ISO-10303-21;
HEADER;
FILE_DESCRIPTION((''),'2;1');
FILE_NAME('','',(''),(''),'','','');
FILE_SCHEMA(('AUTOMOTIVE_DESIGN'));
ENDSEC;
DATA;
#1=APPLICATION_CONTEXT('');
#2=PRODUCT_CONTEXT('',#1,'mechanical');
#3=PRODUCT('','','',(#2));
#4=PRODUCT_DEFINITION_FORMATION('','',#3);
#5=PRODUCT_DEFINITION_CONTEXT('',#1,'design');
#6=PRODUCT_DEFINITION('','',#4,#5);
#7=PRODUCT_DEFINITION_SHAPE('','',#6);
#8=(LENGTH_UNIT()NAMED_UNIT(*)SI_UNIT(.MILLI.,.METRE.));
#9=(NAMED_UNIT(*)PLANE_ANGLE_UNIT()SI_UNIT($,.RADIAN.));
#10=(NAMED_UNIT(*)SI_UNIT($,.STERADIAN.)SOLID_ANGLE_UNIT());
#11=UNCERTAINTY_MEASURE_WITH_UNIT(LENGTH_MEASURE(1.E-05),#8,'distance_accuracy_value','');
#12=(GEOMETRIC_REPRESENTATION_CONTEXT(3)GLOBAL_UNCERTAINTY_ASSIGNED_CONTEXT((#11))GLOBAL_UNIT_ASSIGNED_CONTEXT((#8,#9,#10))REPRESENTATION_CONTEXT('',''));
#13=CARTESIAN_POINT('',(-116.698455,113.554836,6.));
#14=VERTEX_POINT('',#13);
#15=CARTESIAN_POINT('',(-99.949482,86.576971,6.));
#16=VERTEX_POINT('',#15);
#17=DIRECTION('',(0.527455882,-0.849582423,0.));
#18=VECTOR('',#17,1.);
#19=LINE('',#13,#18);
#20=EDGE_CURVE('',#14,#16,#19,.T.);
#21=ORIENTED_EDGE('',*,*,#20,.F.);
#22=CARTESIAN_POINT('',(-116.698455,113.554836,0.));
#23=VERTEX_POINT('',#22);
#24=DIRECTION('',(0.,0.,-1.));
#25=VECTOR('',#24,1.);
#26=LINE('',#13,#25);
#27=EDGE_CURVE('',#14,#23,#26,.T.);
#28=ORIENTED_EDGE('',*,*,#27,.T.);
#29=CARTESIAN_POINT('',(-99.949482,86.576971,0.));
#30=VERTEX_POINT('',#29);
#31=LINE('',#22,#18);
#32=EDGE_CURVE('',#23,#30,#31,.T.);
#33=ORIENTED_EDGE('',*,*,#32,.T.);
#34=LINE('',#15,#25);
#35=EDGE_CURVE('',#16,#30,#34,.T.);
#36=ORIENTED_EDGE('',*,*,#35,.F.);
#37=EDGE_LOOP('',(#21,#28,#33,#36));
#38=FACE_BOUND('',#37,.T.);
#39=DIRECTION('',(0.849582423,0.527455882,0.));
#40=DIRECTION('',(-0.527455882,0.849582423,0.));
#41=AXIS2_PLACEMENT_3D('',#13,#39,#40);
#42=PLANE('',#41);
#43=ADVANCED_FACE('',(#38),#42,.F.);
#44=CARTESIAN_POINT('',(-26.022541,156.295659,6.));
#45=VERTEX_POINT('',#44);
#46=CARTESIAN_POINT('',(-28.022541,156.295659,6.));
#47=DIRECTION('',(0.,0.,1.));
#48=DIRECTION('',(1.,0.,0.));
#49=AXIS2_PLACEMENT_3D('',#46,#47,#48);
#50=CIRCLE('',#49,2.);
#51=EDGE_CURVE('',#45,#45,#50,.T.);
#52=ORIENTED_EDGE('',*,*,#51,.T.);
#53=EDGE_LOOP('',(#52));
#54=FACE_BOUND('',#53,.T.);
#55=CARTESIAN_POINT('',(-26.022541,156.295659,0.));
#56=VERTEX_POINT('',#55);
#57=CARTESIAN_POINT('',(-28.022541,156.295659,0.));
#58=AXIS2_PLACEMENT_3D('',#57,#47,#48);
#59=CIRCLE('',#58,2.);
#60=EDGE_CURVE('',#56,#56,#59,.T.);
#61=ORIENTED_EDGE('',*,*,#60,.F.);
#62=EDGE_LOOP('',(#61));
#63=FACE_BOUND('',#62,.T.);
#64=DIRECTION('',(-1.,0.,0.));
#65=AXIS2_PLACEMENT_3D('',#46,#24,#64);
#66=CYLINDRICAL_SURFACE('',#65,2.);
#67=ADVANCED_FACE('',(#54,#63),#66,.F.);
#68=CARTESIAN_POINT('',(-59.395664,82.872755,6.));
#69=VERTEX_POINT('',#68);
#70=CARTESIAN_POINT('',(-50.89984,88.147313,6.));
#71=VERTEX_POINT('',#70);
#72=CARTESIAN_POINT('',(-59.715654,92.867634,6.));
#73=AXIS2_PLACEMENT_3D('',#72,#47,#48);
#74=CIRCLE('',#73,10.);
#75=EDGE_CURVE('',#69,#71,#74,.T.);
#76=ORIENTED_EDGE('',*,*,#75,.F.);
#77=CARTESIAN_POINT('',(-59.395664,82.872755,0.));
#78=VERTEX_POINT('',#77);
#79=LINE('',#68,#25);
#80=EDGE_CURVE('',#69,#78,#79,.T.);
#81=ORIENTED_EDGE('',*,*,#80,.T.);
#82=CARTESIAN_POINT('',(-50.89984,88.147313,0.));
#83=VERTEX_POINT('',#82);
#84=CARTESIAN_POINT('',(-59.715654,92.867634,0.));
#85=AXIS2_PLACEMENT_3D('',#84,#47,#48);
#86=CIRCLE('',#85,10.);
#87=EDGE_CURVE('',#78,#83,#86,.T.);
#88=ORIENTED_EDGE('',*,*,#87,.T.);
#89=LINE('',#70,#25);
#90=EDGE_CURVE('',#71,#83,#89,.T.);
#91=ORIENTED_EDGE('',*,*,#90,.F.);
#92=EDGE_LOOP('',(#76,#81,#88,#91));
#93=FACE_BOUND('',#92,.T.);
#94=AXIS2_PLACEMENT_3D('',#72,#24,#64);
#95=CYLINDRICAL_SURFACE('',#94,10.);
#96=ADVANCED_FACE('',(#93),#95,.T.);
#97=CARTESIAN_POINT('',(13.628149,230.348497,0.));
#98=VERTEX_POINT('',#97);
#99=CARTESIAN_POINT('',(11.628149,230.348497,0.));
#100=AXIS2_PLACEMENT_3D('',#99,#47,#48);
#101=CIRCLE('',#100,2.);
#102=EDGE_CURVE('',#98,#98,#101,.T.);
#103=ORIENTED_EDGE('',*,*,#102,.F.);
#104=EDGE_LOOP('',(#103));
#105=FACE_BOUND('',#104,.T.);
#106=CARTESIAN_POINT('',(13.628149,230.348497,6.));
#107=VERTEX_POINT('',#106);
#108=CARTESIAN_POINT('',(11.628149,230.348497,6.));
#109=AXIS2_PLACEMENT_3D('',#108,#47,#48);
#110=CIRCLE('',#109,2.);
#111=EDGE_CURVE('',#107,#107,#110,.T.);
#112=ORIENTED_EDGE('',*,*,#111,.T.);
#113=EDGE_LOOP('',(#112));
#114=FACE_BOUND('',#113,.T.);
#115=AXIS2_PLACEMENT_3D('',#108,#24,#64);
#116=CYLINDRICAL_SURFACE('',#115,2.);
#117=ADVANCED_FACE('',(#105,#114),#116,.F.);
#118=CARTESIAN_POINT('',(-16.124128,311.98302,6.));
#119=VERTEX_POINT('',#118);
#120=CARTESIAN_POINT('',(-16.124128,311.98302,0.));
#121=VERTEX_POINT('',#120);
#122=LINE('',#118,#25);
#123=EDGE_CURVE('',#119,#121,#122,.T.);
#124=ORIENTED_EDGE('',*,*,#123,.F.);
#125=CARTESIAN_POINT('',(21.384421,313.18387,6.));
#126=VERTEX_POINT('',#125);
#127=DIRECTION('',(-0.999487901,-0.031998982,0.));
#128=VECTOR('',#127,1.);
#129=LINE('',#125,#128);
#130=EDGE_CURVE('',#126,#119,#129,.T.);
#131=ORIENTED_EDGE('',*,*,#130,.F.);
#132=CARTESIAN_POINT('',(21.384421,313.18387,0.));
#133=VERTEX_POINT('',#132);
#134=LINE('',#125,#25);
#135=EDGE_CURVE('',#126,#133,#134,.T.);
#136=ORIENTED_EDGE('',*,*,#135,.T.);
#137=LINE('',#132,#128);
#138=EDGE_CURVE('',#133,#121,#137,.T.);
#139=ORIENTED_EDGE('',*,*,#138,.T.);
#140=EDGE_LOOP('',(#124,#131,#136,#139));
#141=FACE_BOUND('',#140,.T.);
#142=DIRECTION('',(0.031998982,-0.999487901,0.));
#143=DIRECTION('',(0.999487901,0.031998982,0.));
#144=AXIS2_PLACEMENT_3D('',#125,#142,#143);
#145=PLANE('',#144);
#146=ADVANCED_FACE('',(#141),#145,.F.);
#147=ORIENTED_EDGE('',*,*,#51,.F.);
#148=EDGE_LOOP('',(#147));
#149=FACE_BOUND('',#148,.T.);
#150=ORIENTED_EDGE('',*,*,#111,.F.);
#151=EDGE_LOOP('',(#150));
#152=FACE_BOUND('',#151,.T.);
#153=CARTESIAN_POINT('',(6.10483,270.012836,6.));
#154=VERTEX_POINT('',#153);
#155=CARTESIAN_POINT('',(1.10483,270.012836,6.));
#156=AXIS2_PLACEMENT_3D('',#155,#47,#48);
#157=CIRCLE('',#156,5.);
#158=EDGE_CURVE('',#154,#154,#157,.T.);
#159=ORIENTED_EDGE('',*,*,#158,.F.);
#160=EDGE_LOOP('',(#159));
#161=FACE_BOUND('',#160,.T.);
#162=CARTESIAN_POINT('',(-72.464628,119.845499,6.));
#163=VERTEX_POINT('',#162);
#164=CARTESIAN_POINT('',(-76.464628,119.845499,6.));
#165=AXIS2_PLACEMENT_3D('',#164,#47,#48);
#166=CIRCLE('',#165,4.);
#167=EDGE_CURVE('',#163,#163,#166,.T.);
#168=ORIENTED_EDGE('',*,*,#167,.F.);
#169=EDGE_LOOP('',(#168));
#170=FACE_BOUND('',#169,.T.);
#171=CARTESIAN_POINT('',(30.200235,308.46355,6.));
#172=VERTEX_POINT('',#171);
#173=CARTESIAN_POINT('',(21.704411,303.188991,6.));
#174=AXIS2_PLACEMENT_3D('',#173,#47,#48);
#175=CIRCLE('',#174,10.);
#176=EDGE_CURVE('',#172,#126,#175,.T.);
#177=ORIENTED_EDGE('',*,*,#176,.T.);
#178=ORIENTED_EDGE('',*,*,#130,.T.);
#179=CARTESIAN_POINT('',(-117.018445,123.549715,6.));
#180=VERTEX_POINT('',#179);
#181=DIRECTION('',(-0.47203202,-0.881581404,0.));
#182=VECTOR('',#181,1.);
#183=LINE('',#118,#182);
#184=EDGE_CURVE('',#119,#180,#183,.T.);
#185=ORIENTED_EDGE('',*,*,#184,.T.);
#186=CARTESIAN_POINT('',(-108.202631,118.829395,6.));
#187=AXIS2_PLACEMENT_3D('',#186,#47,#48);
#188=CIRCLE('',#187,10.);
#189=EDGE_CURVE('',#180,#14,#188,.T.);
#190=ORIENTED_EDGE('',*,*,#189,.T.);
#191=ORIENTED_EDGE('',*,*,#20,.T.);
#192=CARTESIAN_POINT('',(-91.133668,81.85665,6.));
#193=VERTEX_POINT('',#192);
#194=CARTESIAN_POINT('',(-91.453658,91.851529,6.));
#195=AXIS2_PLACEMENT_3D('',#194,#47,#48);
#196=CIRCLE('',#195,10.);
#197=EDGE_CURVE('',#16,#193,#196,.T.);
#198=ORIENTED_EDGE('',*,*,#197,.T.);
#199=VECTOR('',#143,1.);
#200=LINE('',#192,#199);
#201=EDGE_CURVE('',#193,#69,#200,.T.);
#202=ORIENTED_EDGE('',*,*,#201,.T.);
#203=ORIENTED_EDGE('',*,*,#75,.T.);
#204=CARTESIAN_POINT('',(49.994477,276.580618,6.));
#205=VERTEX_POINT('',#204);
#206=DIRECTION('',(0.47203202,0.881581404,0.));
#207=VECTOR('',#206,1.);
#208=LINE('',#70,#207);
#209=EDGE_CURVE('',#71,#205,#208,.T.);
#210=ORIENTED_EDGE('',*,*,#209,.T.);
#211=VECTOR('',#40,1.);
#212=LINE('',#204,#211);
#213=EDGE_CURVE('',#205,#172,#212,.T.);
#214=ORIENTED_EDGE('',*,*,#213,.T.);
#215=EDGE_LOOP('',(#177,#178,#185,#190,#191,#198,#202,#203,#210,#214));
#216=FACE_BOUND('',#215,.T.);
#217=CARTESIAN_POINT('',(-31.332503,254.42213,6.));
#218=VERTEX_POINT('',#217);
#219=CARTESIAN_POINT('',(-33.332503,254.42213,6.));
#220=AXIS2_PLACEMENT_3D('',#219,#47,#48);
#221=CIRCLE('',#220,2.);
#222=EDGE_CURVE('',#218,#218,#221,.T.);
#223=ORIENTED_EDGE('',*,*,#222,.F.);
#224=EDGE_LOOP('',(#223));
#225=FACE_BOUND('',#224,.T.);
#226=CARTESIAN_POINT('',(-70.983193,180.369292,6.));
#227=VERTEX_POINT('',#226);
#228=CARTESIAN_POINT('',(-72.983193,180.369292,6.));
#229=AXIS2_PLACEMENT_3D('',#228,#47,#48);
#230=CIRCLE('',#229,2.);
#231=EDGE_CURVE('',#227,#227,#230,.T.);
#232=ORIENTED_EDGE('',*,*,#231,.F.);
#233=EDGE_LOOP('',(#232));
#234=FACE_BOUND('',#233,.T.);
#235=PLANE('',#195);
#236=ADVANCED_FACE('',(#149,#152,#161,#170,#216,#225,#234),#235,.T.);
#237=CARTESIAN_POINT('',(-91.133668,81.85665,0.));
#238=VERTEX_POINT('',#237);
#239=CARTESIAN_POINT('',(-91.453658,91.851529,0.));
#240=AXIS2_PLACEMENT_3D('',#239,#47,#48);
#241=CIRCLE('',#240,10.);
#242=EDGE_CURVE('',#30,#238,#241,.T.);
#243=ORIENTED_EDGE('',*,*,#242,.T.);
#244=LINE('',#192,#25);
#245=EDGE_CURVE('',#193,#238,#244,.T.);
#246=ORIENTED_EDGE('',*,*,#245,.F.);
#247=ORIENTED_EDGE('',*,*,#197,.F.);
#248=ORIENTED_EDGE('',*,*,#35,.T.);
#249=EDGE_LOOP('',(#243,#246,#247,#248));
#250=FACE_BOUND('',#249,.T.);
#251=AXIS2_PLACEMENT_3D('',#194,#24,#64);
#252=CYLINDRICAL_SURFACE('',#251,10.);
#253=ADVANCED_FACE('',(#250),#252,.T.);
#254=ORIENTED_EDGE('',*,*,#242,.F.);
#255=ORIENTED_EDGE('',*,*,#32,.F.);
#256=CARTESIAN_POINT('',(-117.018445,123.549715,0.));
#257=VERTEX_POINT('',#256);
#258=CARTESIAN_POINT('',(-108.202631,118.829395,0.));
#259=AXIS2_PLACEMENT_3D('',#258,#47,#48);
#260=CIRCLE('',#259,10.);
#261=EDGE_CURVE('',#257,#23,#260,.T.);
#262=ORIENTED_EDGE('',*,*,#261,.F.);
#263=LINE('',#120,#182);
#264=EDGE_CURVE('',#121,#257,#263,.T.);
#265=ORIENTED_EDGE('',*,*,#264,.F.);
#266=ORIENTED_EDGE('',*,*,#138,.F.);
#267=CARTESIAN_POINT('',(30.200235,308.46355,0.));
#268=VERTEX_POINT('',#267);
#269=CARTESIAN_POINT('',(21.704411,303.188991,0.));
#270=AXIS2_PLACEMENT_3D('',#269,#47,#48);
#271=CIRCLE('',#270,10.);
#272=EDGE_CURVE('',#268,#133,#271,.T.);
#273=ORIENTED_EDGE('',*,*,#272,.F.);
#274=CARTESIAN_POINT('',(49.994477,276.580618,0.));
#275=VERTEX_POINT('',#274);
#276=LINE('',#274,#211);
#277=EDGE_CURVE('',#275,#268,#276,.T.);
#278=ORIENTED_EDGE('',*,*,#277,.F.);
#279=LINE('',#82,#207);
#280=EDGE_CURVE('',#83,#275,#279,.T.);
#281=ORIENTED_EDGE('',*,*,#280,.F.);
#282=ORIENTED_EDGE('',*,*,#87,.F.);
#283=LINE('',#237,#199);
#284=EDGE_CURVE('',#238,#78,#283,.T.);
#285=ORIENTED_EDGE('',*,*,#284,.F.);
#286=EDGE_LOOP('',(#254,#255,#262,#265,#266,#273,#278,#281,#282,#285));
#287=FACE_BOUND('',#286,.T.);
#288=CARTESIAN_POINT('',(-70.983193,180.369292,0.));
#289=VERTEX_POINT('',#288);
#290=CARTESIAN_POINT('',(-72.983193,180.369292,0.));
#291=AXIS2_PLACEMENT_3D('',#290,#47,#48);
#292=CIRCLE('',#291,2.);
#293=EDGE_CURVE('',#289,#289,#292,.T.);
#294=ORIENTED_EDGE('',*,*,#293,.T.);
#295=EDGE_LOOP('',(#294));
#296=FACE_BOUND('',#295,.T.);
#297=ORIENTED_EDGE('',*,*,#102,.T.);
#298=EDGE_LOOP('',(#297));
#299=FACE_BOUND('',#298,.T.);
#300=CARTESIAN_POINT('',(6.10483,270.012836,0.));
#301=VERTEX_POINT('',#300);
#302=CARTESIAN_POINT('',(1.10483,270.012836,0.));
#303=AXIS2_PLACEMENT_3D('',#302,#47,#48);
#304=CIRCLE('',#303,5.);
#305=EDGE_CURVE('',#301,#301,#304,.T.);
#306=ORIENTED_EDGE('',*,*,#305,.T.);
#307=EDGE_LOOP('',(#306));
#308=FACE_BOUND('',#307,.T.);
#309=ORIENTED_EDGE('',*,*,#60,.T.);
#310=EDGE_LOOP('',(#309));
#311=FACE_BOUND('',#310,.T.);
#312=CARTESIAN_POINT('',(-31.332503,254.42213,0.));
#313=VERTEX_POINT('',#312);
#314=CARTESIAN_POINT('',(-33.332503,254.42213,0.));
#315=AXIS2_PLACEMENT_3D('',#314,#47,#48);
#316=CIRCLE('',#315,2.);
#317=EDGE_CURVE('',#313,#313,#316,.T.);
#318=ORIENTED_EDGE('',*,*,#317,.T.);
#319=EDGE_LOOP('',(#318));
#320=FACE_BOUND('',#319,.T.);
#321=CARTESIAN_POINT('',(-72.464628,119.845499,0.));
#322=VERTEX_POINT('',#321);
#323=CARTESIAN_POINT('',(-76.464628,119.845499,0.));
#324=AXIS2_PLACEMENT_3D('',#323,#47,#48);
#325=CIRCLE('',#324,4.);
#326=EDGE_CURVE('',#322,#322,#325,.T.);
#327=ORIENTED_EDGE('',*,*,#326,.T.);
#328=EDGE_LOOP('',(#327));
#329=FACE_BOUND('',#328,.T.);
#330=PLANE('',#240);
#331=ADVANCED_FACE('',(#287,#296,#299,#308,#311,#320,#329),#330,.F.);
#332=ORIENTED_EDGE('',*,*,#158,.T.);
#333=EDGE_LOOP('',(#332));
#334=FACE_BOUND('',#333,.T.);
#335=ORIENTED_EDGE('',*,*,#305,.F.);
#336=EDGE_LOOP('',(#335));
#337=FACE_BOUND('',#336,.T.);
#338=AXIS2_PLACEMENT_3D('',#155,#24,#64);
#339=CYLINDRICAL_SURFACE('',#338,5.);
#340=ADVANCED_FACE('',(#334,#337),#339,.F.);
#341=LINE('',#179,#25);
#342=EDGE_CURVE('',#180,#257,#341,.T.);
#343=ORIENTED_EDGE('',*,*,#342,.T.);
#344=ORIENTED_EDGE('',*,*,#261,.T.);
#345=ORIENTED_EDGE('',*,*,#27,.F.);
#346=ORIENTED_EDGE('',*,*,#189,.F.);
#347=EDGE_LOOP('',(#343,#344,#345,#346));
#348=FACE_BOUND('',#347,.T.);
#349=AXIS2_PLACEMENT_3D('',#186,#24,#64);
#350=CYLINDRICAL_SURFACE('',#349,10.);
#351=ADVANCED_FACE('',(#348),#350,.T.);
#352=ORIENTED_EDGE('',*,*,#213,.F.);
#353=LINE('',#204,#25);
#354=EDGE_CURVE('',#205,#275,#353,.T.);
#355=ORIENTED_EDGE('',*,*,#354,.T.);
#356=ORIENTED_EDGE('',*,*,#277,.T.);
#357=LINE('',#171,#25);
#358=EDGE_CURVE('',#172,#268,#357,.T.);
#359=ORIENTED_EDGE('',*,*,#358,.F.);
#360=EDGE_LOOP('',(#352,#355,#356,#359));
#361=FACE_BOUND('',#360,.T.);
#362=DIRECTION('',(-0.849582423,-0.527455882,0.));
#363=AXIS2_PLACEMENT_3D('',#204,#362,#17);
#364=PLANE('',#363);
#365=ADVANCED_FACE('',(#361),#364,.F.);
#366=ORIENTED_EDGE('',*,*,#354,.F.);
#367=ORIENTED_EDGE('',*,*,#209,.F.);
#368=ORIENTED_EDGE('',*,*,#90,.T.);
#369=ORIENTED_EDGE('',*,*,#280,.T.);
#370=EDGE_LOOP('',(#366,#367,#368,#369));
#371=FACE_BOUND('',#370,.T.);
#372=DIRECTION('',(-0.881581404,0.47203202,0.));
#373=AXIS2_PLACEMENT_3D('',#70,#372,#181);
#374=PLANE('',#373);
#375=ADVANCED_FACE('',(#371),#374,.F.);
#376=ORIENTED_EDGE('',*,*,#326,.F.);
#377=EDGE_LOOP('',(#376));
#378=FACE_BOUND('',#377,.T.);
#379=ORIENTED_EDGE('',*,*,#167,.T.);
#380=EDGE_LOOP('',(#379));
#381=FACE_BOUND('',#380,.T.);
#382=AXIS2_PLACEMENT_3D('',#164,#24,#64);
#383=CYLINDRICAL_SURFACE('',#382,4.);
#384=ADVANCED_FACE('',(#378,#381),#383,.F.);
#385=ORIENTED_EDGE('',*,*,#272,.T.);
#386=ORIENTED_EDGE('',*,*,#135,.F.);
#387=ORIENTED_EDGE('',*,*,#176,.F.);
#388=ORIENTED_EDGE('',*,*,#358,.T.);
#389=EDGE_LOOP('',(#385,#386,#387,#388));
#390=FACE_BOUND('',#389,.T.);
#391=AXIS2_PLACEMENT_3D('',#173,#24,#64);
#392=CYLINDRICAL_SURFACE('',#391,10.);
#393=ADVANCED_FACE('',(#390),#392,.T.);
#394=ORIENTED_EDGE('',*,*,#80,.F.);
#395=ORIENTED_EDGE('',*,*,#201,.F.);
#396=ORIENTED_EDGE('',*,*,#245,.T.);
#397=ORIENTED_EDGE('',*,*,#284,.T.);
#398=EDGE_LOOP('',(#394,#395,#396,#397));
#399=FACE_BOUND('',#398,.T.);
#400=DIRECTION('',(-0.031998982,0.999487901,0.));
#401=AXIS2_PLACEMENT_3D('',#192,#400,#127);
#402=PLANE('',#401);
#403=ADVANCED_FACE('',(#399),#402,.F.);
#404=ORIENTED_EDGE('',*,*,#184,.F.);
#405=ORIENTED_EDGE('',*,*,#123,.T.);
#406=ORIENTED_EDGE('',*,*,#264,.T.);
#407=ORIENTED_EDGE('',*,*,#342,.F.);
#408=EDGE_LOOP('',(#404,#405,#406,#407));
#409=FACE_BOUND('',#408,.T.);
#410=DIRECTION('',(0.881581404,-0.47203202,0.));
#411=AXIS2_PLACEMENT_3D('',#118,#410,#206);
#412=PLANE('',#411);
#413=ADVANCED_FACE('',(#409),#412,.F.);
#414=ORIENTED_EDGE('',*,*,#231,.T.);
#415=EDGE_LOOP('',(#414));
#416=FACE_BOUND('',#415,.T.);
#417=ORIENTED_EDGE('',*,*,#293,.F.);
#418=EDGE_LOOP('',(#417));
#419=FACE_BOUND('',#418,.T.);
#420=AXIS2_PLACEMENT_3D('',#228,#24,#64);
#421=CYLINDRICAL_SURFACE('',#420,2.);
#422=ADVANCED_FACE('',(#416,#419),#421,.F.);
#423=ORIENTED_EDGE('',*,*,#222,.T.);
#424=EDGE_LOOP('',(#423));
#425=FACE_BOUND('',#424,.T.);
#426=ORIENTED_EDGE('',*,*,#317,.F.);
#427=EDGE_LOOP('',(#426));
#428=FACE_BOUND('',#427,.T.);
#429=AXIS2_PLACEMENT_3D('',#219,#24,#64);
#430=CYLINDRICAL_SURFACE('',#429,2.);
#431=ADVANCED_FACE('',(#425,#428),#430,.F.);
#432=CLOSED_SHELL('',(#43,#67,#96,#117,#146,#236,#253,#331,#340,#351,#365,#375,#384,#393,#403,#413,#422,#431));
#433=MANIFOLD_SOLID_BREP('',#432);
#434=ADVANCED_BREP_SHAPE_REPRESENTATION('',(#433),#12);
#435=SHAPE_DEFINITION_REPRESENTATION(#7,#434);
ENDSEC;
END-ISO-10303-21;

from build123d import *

# Parameters (mm, degrees)
SKETCH1_R           = 2
SKETCH1_R_2         = 5
SKETCH1_R_3         = 4
BOSS_EXTRUDE1_DEPTH = 6


with BuildPart() as part:
    # Sketch1 → Boss-Extrude1 (new body)
    with BuildSketch(Plane.XY):
        with BuildLine():
            Line((-91.133667709, 81.856650449), (-59.395664216, 82.872754588))
            ThreePointArc((-59.395664216, 82.872754588), (-54.441095215, 84.371809376), (-50.89983999, 88.147313406))
            Line((-50.89983999, 88.147313406), (49.994476852, 276.580618392))
            Line((49.994476852, 276.580618392), (30.200235155, 308.463550017))
            ThreePointArc((30.200235155, 308.463550017), (26.424731126, 312.004805242), (21.384421112, 313.183870214))
            Line((21.384421112, 313.183870214), (-16.124128471, 311.983019868))
            Line((-16.124128471, 311.983019868), (-117.018445312, 123.549714881))
            ThreePointArc((-117.018445312, 123.549714881), (-118.197510284, 118.509404867), (-116.698455495, 113.554835867))
            Line((-116.698455495, 113.554835867), (-99.949481752, 86.576970646))
            ThreePointArc((-99.949481752, 86.576970646), (-96.173977723, 83.035715421), (-91.133667709, 81.856650449))
        make_face()
        with Locations((11.628148729, 230.348497445)):
            Circle(SKETCH1_R, mode=Mode.SUBTRACT)
        with Locations((1.104829999, 270.012836125)):
            Circle(SKETCH1_R_2, mode=Mode.SUBTRACT)
        with Locations((-33.33250289, 254.422130449)):
            Circle(SKETCH1_R, mode=Mode.SUBTRACT)
        with Locations((-28.022540924, 156.295659484)):
            Circle(SKETCH1_R, mode=Mode.SUBTRACT)
        with Locations((-72.983192543, 180.369292488)):
            Circle(SKETCH1_R, mode=Mode.SUBTRACT)
        with Locations((-76.464627777, 119.845498823)):
            Circle(SKETCH1_R_3, mode=Mode.SUBTRACT)
    extrude(amount=BOSS_EXTRUDE1_DEPTH)


solid = part.part
